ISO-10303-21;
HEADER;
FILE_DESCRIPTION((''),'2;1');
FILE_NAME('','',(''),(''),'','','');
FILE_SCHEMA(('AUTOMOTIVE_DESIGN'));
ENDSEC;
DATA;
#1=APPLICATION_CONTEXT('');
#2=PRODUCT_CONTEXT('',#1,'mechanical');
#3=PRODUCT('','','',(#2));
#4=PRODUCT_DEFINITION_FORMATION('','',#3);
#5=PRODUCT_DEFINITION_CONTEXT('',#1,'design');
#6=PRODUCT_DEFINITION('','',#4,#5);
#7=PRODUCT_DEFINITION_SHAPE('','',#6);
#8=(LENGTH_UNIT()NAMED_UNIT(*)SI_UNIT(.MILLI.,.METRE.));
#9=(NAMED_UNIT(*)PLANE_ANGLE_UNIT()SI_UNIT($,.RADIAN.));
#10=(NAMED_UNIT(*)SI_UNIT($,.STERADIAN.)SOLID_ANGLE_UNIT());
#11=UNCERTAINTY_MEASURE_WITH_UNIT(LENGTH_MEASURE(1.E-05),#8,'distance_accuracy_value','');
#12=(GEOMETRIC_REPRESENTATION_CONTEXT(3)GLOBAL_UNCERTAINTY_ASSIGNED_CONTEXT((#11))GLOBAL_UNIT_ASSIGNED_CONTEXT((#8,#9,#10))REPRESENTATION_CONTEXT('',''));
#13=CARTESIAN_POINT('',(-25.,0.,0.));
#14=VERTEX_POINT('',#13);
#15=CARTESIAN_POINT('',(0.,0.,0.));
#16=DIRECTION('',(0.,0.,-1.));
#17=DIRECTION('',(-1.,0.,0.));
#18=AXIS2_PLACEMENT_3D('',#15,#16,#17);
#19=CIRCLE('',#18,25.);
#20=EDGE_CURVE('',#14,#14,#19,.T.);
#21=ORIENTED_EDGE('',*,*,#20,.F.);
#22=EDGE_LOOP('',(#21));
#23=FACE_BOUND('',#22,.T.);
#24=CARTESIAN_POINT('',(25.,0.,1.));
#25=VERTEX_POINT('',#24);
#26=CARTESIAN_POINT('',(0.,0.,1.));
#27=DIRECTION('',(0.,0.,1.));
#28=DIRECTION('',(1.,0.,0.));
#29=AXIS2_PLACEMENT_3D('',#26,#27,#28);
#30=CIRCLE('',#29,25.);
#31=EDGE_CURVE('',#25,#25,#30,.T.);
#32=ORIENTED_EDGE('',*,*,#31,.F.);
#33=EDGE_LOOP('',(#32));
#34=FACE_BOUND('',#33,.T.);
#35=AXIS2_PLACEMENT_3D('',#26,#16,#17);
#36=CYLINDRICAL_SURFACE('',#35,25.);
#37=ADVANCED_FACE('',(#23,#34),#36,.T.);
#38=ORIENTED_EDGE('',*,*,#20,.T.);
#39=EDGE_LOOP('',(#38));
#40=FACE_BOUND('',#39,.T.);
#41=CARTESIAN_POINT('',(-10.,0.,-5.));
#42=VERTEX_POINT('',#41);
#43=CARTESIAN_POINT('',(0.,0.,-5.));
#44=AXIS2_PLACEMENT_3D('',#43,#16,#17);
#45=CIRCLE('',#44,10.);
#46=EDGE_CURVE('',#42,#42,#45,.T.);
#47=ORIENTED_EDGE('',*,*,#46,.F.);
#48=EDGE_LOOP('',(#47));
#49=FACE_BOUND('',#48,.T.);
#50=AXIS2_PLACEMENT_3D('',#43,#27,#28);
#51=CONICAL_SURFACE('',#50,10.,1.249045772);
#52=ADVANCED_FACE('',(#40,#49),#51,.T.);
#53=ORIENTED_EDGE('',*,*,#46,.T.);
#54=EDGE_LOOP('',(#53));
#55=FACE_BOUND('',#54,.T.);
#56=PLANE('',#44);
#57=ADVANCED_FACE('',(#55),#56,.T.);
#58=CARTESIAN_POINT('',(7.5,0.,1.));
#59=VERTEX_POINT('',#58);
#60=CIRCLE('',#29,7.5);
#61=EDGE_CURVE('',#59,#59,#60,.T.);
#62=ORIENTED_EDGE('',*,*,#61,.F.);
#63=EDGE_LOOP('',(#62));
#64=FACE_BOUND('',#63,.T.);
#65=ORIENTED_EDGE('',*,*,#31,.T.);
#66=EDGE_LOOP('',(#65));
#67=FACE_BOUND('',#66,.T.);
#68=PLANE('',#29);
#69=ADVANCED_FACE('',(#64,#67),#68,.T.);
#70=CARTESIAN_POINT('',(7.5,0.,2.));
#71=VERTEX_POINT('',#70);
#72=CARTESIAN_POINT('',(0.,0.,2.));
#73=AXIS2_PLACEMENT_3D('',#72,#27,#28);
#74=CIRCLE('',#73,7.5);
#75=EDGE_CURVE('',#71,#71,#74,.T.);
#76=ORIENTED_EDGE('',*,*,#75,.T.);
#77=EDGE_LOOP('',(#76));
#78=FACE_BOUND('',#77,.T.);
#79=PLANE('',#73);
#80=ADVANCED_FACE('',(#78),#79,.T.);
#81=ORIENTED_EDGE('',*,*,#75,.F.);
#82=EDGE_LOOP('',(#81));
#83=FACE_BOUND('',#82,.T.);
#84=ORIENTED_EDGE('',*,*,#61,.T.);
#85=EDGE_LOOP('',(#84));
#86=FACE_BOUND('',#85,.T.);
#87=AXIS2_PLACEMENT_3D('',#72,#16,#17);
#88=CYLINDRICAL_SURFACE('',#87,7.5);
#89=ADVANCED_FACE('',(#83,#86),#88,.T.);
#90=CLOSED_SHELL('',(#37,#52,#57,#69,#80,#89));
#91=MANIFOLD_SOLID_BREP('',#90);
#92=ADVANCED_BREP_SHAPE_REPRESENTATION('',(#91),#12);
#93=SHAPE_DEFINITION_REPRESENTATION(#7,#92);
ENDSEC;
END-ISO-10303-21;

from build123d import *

# Parameters (mm, degrees)
SKETCH_1_R      = 25
EXTRUDE_1_DEPTH = 1
SKETCH_3_R      = 25
SKETCH_2_R      = 10
SKETCH_4_R      = 7.5
EXTRUDE_2_DEPTH = 1


with BuildPart() as part:
    # 草图1 → 凸台-拉伸1 (new body)
    with BuildSketch(Plane.XY):
        Circle(SKETCH_1_R)
    extrude(amount=EXTRUDE_1_DEPTH)

    # 草图3 → 放样1 section 0
    with BuildSketch(Plane(origin=(0, 0, 0), x_dir=(-1, 0, 0), z_dir=(0, 0, -1))):
        Circle(SKETCH_3_R)
    # 草图2 → 放样1 section 1
    with BuildSketch(Plane(origin=(0, 0, -5), x_dir=(-1, 0, 0), z_dir=(0, 0, -1))):
        Circle(SKETCH_2_R)
    loft()

    # 草图4 → 凸台-拉伸2 (add)
    with BuildSketch(Plane.XY.offset(1)):
        Circle(SKETCH_4_R)
    extrude(amount=EXTRUDE_2_DEPTH)


solid = part.part
